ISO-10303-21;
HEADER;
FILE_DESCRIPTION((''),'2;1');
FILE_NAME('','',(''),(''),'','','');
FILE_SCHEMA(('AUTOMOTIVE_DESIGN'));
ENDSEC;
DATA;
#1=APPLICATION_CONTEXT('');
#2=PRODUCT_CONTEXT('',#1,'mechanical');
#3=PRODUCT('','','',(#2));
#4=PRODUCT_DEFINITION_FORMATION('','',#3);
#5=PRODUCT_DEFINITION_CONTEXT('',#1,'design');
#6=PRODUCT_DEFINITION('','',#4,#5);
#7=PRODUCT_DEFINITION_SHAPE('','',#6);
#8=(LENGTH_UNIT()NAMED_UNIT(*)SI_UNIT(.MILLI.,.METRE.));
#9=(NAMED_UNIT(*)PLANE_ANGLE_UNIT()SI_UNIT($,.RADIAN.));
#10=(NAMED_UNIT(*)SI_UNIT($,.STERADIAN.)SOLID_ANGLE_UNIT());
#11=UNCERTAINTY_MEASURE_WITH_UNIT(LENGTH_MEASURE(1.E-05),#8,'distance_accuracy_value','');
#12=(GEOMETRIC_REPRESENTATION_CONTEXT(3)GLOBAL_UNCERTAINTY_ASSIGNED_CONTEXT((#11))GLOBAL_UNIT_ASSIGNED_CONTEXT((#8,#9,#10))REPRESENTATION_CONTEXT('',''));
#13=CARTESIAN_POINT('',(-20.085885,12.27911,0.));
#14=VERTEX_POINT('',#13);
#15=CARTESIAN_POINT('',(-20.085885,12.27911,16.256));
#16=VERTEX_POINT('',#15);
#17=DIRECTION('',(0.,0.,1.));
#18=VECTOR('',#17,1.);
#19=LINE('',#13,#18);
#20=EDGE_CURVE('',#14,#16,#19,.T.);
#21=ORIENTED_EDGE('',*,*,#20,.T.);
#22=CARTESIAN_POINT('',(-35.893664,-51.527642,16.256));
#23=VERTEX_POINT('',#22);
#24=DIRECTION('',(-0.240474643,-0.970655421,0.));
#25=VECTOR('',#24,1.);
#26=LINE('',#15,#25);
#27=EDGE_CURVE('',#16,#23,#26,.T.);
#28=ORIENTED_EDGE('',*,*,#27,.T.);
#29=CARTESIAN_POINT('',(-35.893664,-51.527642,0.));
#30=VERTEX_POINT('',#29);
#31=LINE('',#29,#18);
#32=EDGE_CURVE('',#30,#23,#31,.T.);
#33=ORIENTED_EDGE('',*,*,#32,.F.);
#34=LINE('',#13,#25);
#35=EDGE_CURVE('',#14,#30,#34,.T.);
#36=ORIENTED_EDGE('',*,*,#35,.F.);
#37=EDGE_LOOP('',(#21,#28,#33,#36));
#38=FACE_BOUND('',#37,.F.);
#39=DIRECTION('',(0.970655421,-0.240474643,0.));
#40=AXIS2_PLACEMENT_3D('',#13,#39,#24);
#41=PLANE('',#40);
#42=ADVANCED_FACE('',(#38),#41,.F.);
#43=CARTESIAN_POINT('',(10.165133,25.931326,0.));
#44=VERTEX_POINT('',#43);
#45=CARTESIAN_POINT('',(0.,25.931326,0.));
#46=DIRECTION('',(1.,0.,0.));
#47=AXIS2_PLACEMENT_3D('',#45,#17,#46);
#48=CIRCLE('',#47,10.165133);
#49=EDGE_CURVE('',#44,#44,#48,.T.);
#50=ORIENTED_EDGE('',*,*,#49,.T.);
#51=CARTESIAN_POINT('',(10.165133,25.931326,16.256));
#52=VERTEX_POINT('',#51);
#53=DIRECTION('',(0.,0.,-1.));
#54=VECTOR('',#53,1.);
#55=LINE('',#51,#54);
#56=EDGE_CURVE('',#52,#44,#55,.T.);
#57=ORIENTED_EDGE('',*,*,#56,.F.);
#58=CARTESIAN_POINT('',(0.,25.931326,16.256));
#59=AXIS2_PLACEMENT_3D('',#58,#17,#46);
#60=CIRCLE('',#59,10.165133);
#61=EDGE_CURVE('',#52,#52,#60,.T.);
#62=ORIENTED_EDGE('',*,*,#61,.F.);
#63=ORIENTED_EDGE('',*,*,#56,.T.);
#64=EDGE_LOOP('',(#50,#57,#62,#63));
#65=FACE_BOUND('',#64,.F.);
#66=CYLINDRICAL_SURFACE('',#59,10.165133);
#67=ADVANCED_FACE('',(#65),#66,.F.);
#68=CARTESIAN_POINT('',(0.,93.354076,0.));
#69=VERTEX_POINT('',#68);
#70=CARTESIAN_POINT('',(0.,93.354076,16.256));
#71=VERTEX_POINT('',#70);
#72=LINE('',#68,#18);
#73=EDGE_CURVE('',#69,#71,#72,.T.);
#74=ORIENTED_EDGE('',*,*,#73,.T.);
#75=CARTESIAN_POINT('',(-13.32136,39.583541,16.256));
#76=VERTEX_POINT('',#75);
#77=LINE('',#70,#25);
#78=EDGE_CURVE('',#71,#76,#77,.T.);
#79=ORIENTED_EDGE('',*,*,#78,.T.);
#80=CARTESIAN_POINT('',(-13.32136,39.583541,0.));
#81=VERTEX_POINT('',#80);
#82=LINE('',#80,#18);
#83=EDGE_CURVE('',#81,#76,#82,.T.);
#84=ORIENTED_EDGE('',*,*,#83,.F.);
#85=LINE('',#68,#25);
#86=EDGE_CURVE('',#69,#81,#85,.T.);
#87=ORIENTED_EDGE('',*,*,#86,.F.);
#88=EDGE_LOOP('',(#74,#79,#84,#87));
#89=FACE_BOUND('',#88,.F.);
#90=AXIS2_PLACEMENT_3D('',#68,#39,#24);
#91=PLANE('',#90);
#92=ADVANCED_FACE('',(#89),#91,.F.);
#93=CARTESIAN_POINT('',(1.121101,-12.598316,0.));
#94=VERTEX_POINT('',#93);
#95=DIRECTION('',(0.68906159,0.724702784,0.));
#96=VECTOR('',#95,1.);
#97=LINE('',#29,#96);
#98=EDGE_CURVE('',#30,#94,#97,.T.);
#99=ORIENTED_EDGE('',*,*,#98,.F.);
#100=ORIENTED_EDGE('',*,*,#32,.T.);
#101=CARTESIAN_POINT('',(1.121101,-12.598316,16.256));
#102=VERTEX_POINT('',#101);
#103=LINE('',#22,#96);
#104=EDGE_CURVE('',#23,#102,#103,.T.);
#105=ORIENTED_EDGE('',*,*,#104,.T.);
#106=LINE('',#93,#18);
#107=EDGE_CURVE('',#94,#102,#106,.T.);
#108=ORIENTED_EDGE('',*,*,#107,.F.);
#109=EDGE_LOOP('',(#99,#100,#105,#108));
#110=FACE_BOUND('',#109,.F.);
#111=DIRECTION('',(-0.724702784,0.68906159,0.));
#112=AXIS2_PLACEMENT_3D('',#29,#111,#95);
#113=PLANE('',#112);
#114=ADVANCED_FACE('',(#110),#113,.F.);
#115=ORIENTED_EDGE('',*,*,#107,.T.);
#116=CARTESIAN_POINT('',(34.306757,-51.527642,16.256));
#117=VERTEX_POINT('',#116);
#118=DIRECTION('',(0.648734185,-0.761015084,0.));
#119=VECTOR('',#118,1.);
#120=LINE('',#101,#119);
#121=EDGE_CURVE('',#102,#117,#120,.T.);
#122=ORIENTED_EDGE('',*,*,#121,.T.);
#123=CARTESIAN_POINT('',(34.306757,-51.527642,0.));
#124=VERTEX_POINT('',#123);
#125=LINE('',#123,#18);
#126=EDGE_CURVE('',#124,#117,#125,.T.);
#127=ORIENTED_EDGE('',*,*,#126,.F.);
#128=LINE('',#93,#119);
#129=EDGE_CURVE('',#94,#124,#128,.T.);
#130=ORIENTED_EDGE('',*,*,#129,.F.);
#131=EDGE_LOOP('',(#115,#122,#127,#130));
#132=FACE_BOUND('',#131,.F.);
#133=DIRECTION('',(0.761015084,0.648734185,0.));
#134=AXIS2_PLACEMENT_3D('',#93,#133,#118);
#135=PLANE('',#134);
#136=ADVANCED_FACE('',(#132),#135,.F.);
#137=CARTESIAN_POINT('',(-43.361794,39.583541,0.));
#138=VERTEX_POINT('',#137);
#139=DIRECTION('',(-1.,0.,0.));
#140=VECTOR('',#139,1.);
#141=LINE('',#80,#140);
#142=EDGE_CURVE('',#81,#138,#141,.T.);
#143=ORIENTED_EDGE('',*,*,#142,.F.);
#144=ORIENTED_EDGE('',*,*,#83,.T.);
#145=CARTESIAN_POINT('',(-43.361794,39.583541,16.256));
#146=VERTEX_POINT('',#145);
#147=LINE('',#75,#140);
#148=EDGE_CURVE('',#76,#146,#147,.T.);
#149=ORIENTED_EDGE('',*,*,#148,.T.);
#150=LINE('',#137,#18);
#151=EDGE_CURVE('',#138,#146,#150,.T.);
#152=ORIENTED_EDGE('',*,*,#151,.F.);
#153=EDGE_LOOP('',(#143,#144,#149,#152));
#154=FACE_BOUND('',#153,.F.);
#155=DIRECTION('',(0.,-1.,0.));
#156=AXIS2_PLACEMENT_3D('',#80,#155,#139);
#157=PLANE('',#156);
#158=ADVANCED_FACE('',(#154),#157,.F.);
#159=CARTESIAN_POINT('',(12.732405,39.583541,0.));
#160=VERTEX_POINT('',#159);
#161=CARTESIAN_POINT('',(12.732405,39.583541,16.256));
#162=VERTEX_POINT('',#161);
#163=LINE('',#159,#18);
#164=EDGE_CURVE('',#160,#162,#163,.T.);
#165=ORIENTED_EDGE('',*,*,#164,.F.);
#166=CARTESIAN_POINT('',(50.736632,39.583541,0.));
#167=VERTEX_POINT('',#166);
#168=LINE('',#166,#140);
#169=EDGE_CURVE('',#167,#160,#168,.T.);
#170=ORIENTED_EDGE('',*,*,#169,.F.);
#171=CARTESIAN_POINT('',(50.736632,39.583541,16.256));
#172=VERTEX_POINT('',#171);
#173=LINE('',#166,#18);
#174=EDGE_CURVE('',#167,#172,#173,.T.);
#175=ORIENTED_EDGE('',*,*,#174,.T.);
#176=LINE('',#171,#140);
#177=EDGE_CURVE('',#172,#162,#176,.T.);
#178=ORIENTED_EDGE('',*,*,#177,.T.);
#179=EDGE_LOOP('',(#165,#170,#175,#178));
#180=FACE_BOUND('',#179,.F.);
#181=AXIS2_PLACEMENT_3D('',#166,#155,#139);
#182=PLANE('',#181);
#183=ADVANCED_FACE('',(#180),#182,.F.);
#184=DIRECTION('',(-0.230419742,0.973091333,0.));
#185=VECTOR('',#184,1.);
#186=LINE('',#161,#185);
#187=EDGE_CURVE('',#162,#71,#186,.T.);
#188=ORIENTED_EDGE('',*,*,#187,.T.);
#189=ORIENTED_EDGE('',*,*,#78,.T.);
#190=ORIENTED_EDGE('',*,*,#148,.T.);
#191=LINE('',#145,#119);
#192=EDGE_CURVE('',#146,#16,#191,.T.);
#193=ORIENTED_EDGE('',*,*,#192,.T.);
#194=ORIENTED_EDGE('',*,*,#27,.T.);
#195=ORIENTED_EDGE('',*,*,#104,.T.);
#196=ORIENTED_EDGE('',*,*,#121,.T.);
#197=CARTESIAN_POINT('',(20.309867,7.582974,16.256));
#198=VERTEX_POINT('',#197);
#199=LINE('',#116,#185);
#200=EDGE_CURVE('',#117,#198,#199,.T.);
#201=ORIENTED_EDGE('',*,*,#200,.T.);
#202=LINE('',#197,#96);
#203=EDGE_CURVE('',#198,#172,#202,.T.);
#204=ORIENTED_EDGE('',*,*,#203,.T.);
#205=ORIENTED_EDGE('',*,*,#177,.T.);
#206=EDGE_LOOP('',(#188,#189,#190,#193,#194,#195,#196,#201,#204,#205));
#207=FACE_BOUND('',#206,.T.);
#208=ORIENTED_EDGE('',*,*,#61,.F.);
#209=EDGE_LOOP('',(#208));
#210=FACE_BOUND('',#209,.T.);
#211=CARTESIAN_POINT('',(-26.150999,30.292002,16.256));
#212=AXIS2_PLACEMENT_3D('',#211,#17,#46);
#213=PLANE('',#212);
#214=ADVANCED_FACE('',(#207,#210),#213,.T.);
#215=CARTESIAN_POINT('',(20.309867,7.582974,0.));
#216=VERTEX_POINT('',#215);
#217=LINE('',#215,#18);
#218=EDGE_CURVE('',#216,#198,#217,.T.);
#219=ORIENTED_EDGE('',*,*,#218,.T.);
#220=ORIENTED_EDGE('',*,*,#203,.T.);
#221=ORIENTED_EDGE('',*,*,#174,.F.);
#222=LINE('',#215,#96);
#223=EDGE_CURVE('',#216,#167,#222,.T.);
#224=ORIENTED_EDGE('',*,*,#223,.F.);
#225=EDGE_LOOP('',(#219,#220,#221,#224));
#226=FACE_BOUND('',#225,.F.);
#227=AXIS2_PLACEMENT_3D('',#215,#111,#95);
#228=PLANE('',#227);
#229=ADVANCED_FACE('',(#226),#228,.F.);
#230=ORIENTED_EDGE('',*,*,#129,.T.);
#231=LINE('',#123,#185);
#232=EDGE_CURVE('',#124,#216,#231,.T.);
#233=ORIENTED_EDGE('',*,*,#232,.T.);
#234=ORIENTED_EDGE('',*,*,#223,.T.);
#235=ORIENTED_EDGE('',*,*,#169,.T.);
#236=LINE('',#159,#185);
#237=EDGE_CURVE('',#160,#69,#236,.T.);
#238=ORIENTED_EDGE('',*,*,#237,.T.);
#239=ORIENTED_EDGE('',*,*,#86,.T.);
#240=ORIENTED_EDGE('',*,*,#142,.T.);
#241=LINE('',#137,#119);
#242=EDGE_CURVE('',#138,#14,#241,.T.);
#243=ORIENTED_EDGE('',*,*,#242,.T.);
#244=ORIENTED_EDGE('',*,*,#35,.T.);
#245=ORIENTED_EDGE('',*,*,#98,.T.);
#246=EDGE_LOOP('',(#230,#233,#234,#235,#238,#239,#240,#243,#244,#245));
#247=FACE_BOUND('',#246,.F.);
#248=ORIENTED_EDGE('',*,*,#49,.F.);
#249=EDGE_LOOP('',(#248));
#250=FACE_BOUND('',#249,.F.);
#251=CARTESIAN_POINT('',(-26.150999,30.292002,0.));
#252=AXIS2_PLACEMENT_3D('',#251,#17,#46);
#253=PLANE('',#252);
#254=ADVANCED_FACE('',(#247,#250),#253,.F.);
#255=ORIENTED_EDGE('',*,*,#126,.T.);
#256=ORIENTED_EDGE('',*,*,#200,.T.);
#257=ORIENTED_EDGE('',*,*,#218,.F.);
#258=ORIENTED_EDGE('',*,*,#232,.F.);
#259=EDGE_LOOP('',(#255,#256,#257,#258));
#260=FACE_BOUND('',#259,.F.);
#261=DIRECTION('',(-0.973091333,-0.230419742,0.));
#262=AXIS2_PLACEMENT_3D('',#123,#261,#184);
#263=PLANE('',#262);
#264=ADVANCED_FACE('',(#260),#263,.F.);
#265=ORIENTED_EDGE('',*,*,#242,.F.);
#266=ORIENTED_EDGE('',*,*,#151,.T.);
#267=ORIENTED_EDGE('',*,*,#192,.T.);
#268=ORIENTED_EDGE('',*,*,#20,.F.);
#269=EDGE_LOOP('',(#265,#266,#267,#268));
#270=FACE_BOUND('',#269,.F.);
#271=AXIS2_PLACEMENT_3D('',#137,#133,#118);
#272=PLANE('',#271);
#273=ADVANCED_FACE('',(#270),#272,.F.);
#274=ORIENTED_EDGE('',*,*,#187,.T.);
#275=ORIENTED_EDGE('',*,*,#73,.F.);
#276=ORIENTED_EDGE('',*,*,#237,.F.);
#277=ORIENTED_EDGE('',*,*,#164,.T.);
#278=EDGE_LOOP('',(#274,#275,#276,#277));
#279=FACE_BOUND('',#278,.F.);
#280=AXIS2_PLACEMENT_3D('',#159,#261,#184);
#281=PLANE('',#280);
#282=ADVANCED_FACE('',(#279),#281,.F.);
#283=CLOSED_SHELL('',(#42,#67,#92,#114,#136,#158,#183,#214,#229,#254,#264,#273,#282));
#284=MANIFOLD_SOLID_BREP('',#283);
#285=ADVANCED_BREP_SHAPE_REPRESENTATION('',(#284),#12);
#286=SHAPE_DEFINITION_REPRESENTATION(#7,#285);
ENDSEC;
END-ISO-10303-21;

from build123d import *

# Parameters (mm, degrees)
F1_DEPTH = 16.256
F2_R     = 10.1651329975
F3_DEPTH = 25.4


with BuildPart() as f1:
    # F0 (on Top) → F1 (new body)
    with BuildSketch(Plane.XY):
        Polygon((-13.3213598046, 39.5835414529), (-43.3617942035, 39.5835414529), (-20.0858852488, 12.279110417), align=None)
        Polygon((0, 93.3540761471), (-13.3213598046, 39.5835414529), (12.7324047708, 39.5835414529), align=None)
        Polygon((12.7324047708, 39.5835414529), (-13.3213598046, 39.5835414529), (-20.0858852488, 12.279110417), (1.1211013418, -12.5983155931), (20.3098666178, 7.5829742015), align=None)
        Polygon((1.1211013418, -12.5983155931), (-20.0858852488, 12.279110417), (-35.893663764, -51.5276417136), align=None)
        Polygon((50.7366321981, 39.5835414529), (12.7324047708, 39.5835414529), (20.3098666178, 7.5829742015), align=None)
        Polygon((20.3098666178, 7.5829742015), (1.1211013418, -12.5983155931), (34.3067571521, -51.5276417136), align=None)
    extrude(amount=F1_DEPTH)

    # F2 (on face) → F3 (cut)
    with BuildSketch(Plane.XY.offset(16.256)):
        with Locations((0, 25.931325935)):
            Circle(F2_R)
    extrude(amount=-F3_DEPTH, mode=Mode.SUBTRACT)


solid = f1.part
